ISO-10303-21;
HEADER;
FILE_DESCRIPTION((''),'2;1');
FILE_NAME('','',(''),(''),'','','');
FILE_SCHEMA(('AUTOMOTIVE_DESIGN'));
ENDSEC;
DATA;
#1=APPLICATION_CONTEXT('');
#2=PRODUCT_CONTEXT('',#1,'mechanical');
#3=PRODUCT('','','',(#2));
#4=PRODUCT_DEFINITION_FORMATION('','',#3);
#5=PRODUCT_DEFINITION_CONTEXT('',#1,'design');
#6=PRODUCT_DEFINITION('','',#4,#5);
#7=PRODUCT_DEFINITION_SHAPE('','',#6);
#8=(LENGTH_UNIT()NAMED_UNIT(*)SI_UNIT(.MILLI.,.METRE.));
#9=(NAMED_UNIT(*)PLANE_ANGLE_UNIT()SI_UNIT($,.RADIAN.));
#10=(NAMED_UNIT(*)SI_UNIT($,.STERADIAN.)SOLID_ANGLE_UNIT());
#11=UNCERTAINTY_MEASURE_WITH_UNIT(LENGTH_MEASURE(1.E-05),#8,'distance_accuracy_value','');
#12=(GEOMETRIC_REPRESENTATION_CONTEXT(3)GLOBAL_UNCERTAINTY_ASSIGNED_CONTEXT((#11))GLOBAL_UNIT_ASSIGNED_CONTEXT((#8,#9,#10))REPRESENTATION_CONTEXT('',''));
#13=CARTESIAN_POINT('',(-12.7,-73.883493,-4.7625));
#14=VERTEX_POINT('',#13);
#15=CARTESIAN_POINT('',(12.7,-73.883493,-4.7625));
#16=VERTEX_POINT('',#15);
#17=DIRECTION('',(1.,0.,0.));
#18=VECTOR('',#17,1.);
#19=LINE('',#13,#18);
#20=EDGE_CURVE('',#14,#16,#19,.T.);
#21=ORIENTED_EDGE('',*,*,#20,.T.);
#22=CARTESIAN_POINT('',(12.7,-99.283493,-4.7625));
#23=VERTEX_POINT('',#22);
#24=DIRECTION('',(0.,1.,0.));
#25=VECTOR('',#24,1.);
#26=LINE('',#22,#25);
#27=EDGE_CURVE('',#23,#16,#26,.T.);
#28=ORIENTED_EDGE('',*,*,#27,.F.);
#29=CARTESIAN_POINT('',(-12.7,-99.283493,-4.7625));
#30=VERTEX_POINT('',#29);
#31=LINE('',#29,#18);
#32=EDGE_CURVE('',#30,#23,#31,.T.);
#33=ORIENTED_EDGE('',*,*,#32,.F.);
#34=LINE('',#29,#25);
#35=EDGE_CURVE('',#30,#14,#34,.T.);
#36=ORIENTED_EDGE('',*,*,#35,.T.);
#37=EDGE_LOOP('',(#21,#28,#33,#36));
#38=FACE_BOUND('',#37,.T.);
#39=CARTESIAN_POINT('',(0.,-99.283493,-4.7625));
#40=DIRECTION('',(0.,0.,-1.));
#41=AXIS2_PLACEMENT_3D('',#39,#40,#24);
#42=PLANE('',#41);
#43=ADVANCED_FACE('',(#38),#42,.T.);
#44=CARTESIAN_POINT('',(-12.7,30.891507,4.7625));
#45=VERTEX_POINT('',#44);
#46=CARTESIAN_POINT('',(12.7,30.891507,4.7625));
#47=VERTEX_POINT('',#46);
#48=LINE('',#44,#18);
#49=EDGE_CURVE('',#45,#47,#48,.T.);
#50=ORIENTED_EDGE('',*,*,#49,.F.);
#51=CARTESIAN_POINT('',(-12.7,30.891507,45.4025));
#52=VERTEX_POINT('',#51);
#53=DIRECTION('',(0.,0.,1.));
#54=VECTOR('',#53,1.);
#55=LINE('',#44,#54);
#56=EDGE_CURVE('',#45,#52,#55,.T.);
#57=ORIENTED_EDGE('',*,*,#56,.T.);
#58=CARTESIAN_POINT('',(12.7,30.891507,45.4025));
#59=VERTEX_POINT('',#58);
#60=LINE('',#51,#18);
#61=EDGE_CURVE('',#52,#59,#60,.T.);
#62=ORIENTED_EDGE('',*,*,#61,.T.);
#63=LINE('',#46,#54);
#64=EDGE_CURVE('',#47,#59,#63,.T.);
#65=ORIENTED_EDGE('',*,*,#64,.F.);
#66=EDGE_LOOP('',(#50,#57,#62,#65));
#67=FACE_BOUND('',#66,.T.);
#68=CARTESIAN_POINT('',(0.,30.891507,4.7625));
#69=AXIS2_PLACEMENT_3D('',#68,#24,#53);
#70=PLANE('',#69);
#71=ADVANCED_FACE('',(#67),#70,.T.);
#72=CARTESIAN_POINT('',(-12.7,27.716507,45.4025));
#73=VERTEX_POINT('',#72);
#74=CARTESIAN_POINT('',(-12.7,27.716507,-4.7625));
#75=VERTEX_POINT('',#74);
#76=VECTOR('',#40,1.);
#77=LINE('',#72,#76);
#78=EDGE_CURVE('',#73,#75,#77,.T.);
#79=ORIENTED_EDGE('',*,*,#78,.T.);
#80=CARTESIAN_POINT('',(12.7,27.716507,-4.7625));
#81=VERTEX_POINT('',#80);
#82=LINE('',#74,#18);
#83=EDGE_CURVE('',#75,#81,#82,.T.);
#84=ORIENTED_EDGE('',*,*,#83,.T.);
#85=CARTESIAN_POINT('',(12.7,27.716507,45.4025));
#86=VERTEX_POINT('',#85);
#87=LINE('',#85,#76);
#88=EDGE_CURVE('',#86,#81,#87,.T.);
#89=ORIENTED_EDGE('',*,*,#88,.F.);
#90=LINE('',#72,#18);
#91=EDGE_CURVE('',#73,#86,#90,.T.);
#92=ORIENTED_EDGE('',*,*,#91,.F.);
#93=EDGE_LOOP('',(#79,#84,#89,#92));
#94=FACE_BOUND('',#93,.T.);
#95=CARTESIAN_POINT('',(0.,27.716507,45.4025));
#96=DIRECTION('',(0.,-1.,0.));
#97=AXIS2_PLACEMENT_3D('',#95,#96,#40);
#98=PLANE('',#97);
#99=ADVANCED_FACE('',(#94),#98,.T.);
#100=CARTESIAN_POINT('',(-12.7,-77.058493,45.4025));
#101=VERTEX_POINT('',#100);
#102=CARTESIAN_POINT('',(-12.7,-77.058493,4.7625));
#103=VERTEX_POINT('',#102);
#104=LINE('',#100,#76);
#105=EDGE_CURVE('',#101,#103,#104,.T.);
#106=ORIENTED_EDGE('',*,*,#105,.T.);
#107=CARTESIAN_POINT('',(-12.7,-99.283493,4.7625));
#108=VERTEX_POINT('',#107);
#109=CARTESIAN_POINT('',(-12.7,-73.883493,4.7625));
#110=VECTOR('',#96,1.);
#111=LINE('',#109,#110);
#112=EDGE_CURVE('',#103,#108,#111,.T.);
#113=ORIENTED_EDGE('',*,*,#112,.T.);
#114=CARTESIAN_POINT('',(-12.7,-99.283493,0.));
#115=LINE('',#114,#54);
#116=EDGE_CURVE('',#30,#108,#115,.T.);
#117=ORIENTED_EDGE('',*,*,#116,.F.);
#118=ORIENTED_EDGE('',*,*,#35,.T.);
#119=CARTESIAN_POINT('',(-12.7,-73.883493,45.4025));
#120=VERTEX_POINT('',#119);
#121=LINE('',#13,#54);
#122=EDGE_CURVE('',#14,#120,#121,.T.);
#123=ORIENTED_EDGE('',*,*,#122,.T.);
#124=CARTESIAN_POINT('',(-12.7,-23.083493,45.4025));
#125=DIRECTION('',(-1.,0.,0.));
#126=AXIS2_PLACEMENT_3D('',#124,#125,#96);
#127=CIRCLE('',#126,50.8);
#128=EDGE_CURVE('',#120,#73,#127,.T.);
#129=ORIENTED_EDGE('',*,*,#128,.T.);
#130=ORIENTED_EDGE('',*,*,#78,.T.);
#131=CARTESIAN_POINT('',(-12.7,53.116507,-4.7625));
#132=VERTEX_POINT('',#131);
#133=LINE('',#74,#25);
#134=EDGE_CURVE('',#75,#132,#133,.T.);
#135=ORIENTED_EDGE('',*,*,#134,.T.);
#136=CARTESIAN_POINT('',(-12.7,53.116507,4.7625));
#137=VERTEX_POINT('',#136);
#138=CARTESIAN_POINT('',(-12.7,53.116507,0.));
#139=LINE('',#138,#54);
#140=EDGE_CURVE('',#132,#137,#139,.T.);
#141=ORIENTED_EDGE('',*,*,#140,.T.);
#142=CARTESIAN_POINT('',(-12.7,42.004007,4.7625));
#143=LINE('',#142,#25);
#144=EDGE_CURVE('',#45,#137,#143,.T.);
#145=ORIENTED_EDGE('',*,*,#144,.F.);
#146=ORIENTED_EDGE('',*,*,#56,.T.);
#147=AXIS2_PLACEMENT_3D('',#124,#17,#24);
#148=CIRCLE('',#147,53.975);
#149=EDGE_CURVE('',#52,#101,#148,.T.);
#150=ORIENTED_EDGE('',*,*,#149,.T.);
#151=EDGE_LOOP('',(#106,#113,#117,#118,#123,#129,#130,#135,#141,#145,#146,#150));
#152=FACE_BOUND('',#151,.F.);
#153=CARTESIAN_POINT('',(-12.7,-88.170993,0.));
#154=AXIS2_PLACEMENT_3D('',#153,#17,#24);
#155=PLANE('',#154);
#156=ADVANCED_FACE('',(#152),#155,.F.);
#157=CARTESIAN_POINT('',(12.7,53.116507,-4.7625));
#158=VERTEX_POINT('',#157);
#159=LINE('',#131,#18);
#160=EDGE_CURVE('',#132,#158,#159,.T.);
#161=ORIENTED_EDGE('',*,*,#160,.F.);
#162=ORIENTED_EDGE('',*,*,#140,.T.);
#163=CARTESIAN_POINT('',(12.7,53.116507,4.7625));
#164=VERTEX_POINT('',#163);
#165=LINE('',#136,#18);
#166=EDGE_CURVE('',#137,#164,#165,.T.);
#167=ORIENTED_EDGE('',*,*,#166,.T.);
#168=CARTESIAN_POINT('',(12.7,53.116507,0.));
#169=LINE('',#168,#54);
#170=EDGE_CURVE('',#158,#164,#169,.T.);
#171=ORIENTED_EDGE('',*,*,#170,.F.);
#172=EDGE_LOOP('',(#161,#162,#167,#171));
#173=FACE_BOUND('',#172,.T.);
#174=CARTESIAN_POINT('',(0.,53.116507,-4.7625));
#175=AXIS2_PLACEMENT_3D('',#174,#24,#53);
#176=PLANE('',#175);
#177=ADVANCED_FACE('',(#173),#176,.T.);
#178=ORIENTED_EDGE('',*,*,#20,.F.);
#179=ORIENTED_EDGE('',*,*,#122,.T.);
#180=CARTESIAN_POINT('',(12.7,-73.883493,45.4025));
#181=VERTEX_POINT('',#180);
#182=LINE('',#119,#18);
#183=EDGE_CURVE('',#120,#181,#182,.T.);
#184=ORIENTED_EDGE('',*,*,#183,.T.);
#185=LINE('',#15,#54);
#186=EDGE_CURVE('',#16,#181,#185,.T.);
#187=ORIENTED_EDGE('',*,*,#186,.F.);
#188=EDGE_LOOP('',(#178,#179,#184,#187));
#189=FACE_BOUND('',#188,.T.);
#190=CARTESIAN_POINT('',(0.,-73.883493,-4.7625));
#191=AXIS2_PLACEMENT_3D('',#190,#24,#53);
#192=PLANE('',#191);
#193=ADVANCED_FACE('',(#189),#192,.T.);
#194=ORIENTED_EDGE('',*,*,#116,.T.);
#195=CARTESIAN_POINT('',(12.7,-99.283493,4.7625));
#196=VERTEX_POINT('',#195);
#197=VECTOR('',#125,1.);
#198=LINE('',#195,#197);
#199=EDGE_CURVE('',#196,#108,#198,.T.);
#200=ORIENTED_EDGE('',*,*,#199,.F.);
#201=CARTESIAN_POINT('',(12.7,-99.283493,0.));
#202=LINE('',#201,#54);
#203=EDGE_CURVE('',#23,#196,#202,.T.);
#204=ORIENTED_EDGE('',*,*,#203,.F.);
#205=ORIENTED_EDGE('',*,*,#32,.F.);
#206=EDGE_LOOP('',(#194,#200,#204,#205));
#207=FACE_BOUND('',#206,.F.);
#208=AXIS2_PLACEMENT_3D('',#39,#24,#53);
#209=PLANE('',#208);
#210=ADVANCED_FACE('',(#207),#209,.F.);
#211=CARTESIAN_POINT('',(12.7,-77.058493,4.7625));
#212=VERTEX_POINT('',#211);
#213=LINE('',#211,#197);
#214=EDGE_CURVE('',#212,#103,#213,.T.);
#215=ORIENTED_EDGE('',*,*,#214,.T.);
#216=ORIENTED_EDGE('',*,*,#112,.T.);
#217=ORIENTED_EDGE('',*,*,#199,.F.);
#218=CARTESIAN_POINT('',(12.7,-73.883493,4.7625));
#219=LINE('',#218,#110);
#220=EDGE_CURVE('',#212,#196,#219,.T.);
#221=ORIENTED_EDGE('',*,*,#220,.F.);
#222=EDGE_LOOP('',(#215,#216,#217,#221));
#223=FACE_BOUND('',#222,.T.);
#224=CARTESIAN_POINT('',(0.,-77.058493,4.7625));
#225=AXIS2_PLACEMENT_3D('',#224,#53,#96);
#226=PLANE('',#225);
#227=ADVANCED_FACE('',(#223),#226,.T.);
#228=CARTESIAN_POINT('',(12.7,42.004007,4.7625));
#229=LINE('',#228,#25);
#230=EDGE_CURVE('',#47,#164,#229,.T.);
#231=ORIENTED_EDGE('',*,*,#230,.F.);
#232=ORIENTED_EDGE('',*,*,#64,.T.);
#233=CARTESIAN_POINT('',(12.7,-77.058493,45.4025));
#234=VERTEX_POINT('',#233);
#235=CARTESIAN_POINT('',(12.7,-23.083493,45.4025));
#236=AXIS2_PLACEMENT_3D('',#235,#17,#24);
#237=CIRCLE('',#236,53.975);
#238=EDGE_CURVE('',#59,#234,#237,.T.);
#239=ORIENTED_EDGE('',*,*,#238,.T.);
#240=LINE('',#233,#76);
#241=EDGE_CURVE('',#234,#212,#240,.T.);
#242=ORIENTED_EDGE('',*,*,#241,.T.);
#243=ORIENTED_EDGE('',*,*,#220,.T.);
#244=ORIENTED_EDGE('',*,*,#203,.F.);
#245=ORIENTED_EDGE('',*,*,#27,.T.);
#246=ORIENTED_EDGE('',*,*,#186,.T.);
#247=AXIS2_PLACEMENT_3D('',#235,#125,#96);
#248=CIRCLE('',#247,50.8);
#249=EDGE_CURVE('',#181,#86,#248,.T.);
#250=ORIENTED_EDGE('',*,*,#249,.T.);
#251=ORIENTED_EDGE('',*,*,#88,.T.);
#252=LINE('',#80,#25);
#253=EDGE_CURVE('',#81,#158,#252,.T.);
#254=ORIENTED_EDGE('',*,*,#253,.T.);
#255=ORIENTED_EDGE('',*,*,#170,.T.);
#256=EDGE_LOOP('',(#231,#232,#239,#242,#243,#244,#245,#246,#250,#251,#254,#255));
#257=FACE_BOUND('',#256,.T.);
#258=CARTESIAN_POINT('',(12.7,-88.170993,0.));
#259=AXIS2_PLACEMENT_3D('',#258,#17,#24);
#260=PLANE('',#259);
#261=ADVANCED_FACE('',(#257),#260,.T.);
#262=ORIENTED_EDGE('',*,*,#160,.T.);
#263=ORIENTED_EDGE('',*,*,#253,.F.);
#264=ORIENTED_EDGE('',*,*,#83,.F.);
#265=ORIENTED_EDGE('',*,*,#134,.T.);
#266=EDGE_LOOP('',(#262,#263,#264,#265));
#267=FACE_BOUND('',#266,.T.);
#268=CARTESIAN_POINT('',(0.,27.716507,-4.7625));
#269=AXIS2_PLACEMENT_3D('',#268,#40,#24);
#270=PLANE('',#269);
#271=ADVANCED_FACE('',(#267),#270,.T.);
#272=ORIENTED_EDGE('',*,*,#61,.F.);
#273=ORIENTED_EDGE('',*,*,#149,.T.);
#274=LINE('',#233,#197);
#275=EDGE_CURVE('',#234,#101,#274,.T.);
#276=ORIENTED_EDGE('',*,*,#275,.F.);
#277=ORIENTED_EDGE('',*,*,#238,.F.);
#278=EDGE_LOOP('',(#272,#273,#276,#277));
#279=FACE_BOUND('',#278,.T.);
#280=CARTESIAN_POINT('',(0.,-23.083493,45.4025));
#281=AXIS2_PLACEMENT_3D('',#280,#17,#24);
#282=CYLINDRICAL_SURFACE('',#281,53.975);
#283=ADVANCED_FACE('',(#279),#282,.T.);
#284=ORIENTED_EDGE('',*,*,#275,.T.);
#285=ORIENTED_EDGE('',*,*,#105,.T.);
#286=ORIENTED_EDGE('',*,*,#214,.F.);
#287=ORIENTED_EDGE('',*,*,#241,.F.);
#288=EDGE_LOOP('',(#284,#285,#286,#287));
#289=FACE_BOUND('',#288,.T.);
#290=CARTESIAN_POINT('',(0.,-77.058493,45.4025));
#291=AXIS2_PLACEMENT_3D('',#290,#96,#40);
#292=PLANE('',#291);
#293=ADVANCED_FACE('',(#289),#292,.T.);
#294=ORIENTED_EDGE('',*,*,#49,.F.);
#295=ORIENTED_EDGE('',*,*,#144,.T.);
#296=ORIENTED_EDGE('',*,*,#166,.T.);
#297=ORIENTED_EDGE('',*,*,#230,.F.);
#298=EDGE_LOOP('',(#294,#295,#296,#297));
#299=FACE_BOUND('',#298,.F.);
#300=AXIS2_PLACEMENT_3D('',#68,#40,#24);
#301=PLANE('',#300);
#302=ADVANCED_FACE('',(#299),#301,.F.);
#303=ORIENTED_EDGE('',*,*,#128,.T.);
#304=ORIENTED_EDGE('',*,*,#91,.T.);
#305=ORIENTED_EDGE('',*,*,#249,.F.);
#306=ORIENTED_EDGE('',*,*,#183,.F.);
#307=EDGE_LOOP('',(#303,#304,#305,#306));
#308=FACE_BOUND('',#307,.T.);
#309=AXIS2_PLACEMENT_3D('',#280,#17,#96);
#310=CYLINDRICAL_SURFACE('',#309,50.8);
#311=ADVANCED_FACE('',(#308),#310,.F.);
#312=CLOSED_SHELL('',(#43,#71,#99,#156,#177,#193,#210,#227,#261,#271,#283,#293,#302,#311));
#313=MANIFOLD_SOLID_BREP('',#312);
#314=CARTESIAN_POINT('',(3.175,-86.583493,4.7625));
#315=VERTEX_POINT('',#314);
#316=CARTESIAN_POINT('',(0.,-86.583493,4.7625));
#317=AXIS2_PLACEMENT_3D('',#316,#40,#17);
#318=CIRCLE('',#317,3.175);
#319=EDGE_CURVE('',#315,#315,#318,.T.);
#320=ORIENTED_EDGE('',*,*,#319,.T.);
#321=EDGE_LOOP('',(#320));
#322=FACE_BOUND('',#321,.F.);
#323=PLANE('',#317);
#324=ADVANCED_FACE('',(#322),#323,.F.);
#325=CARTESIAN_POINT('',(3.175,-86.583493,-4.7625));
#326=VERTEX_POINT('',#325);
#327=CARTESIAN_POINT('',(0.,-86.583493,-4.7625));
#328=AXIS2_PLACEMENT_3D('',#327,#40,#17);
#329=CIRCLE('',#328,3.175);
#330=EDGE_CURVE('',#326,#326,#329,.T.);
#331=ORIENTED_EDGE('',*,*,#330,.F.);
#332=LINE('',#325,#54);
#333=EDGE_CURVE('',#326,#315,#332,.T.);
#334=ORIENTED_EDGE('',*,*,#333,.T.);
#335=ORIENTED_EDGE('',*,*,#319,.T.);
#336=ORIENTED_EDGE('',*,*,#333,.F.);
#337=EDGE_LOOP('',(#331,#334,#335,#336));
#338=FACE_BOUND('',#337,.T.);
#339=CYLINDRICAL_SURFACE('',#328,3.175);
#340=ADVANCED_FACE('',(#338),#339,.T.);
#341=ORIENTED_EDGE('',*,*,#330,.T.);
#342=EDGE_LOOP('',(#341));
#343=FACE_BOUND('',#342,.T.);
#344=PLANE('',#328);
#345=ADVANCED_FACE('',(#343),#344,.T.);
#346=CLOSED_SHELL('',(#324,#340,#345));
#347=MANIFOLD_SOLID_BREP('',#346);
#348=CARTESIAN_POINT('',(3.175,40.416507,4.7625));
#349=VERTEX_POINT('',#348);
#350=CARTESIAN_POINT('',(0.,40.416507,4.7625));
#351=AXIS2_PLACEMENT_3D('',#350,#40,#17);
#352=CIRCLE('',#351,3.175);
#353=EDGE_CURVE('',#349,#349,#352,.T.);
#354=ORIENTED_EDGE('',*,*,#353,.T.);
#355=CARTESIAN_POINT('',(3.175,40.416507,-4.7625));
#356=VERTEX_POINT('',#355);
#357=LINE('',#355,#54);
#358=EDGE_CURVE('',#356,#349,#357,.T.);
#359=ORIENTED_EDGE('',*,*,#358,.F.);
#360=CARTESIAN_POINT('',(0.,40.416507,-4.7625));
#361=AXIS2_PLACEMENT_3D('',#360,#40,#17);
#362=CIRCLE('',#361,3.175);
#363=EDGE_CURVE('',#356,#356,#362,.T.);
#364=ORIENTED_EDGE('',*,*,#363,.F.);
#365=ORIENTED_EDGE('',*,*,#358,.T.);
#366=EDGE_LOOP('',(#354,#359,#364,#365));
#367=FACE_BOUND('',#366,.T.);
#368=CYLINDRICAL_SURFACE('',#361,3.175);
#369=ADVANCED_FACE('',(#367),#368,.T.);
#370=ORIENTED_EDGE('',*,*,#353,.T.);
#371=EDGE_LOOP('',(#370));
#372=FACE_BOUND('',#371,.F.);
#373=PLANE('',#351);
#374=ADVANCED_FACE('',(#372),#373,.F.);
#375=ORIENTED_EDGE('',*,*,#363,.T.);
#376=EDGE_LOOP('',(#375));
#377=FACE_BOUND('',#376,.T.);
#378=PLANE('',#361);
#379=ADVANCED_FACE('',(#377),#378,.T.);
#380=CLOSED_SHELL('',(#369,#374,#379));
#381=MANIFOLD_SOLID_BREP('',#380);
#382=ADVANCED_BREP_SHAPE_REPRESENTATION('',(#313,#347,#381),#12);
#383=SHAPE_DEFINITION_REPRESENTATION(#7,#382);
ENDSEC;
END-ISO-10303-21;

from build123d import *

# Parameters (mm, degrees)
F0_W     = 22.225
F0_H     = 9.525
F0_W_2   = 3.175
F1_DEPTH = 12.7
F2_R     = 3.175
F3_DEPTH = 9.525
F4_R     = 3.175
F5_DEPTH = 9.525


with BuildPart() as f1:
    # F0 (on Right) → F1 (new body, symmetric)
    with BuildSketch(Plane.YZ):
        with Locations((-88.1709930871, 0)):
            Rectangle(F0_W, F0_H)
        with Locations((-75.4709930871, 0)):
            Rectangle(F0_W_2, F0_H)
        with BuildLine():
            Line((-77.0584930871, 4.7625), (-73.8834930871, 4.7625))
            Line((-73.8834930871, 4.7625), (-73.8834930871, 45.4025))
            ThreePointArc((-73.8834930871, 45.4025), (-23.0834930871, 96.2025), (27.7165069129, 45.4025))
            Line((27.7165069129, 45.4025), (27.7165069129, 4.7625))
            Line((27.7165069129, 4.7625), (30.8915069129, 4.7625))
            Line((30.8915069129, 4.7625), (30.8915069129, 45.4025))
            ThreePointArc((30.8915069129, 45.4025), (-23.0834930871, 99.3775), (-77.0584930871, 45.4025))
            Line((-77.0584930871, 45.4025), (-77.0584930871, 4.7625))
        make_face()
        with Locations((42.0040069129, 0)):
            Rectangle(F0_W, F0_H)
        with Locations((29.3040069129, 0)):
            Rectangle(F0_W_2, F0_H)
    extrude(amount=F1_DEPTH, both=True)


with BuildPart() as f3:
    # F2 (on face) → F3 (new body)
    with BuildSketch(Plane(origin=(0, 0, -4.7625), x_dir=(1, 0, 0), z_dir=(0, 0, -1))):
        with Locations((0, -40.4165069129)):
            Circle(F2_R)
    extrude(amount=-F3_DEPTH)


with BuildPart() as f5:
    # F4 (on face) → F5 (new body)
    with BuildSketch(Plane(origin=(0, 0, -4.7625), x_dir=(1, 0, 0), z_dir=(0, 0, -1))):
        with Locations((0, 86.5834930871)):
            Circle(F4_R)
    extrude(amount=-F5_DEPTH)


solid = Compound([f1.part, f3.part, f5.part])
